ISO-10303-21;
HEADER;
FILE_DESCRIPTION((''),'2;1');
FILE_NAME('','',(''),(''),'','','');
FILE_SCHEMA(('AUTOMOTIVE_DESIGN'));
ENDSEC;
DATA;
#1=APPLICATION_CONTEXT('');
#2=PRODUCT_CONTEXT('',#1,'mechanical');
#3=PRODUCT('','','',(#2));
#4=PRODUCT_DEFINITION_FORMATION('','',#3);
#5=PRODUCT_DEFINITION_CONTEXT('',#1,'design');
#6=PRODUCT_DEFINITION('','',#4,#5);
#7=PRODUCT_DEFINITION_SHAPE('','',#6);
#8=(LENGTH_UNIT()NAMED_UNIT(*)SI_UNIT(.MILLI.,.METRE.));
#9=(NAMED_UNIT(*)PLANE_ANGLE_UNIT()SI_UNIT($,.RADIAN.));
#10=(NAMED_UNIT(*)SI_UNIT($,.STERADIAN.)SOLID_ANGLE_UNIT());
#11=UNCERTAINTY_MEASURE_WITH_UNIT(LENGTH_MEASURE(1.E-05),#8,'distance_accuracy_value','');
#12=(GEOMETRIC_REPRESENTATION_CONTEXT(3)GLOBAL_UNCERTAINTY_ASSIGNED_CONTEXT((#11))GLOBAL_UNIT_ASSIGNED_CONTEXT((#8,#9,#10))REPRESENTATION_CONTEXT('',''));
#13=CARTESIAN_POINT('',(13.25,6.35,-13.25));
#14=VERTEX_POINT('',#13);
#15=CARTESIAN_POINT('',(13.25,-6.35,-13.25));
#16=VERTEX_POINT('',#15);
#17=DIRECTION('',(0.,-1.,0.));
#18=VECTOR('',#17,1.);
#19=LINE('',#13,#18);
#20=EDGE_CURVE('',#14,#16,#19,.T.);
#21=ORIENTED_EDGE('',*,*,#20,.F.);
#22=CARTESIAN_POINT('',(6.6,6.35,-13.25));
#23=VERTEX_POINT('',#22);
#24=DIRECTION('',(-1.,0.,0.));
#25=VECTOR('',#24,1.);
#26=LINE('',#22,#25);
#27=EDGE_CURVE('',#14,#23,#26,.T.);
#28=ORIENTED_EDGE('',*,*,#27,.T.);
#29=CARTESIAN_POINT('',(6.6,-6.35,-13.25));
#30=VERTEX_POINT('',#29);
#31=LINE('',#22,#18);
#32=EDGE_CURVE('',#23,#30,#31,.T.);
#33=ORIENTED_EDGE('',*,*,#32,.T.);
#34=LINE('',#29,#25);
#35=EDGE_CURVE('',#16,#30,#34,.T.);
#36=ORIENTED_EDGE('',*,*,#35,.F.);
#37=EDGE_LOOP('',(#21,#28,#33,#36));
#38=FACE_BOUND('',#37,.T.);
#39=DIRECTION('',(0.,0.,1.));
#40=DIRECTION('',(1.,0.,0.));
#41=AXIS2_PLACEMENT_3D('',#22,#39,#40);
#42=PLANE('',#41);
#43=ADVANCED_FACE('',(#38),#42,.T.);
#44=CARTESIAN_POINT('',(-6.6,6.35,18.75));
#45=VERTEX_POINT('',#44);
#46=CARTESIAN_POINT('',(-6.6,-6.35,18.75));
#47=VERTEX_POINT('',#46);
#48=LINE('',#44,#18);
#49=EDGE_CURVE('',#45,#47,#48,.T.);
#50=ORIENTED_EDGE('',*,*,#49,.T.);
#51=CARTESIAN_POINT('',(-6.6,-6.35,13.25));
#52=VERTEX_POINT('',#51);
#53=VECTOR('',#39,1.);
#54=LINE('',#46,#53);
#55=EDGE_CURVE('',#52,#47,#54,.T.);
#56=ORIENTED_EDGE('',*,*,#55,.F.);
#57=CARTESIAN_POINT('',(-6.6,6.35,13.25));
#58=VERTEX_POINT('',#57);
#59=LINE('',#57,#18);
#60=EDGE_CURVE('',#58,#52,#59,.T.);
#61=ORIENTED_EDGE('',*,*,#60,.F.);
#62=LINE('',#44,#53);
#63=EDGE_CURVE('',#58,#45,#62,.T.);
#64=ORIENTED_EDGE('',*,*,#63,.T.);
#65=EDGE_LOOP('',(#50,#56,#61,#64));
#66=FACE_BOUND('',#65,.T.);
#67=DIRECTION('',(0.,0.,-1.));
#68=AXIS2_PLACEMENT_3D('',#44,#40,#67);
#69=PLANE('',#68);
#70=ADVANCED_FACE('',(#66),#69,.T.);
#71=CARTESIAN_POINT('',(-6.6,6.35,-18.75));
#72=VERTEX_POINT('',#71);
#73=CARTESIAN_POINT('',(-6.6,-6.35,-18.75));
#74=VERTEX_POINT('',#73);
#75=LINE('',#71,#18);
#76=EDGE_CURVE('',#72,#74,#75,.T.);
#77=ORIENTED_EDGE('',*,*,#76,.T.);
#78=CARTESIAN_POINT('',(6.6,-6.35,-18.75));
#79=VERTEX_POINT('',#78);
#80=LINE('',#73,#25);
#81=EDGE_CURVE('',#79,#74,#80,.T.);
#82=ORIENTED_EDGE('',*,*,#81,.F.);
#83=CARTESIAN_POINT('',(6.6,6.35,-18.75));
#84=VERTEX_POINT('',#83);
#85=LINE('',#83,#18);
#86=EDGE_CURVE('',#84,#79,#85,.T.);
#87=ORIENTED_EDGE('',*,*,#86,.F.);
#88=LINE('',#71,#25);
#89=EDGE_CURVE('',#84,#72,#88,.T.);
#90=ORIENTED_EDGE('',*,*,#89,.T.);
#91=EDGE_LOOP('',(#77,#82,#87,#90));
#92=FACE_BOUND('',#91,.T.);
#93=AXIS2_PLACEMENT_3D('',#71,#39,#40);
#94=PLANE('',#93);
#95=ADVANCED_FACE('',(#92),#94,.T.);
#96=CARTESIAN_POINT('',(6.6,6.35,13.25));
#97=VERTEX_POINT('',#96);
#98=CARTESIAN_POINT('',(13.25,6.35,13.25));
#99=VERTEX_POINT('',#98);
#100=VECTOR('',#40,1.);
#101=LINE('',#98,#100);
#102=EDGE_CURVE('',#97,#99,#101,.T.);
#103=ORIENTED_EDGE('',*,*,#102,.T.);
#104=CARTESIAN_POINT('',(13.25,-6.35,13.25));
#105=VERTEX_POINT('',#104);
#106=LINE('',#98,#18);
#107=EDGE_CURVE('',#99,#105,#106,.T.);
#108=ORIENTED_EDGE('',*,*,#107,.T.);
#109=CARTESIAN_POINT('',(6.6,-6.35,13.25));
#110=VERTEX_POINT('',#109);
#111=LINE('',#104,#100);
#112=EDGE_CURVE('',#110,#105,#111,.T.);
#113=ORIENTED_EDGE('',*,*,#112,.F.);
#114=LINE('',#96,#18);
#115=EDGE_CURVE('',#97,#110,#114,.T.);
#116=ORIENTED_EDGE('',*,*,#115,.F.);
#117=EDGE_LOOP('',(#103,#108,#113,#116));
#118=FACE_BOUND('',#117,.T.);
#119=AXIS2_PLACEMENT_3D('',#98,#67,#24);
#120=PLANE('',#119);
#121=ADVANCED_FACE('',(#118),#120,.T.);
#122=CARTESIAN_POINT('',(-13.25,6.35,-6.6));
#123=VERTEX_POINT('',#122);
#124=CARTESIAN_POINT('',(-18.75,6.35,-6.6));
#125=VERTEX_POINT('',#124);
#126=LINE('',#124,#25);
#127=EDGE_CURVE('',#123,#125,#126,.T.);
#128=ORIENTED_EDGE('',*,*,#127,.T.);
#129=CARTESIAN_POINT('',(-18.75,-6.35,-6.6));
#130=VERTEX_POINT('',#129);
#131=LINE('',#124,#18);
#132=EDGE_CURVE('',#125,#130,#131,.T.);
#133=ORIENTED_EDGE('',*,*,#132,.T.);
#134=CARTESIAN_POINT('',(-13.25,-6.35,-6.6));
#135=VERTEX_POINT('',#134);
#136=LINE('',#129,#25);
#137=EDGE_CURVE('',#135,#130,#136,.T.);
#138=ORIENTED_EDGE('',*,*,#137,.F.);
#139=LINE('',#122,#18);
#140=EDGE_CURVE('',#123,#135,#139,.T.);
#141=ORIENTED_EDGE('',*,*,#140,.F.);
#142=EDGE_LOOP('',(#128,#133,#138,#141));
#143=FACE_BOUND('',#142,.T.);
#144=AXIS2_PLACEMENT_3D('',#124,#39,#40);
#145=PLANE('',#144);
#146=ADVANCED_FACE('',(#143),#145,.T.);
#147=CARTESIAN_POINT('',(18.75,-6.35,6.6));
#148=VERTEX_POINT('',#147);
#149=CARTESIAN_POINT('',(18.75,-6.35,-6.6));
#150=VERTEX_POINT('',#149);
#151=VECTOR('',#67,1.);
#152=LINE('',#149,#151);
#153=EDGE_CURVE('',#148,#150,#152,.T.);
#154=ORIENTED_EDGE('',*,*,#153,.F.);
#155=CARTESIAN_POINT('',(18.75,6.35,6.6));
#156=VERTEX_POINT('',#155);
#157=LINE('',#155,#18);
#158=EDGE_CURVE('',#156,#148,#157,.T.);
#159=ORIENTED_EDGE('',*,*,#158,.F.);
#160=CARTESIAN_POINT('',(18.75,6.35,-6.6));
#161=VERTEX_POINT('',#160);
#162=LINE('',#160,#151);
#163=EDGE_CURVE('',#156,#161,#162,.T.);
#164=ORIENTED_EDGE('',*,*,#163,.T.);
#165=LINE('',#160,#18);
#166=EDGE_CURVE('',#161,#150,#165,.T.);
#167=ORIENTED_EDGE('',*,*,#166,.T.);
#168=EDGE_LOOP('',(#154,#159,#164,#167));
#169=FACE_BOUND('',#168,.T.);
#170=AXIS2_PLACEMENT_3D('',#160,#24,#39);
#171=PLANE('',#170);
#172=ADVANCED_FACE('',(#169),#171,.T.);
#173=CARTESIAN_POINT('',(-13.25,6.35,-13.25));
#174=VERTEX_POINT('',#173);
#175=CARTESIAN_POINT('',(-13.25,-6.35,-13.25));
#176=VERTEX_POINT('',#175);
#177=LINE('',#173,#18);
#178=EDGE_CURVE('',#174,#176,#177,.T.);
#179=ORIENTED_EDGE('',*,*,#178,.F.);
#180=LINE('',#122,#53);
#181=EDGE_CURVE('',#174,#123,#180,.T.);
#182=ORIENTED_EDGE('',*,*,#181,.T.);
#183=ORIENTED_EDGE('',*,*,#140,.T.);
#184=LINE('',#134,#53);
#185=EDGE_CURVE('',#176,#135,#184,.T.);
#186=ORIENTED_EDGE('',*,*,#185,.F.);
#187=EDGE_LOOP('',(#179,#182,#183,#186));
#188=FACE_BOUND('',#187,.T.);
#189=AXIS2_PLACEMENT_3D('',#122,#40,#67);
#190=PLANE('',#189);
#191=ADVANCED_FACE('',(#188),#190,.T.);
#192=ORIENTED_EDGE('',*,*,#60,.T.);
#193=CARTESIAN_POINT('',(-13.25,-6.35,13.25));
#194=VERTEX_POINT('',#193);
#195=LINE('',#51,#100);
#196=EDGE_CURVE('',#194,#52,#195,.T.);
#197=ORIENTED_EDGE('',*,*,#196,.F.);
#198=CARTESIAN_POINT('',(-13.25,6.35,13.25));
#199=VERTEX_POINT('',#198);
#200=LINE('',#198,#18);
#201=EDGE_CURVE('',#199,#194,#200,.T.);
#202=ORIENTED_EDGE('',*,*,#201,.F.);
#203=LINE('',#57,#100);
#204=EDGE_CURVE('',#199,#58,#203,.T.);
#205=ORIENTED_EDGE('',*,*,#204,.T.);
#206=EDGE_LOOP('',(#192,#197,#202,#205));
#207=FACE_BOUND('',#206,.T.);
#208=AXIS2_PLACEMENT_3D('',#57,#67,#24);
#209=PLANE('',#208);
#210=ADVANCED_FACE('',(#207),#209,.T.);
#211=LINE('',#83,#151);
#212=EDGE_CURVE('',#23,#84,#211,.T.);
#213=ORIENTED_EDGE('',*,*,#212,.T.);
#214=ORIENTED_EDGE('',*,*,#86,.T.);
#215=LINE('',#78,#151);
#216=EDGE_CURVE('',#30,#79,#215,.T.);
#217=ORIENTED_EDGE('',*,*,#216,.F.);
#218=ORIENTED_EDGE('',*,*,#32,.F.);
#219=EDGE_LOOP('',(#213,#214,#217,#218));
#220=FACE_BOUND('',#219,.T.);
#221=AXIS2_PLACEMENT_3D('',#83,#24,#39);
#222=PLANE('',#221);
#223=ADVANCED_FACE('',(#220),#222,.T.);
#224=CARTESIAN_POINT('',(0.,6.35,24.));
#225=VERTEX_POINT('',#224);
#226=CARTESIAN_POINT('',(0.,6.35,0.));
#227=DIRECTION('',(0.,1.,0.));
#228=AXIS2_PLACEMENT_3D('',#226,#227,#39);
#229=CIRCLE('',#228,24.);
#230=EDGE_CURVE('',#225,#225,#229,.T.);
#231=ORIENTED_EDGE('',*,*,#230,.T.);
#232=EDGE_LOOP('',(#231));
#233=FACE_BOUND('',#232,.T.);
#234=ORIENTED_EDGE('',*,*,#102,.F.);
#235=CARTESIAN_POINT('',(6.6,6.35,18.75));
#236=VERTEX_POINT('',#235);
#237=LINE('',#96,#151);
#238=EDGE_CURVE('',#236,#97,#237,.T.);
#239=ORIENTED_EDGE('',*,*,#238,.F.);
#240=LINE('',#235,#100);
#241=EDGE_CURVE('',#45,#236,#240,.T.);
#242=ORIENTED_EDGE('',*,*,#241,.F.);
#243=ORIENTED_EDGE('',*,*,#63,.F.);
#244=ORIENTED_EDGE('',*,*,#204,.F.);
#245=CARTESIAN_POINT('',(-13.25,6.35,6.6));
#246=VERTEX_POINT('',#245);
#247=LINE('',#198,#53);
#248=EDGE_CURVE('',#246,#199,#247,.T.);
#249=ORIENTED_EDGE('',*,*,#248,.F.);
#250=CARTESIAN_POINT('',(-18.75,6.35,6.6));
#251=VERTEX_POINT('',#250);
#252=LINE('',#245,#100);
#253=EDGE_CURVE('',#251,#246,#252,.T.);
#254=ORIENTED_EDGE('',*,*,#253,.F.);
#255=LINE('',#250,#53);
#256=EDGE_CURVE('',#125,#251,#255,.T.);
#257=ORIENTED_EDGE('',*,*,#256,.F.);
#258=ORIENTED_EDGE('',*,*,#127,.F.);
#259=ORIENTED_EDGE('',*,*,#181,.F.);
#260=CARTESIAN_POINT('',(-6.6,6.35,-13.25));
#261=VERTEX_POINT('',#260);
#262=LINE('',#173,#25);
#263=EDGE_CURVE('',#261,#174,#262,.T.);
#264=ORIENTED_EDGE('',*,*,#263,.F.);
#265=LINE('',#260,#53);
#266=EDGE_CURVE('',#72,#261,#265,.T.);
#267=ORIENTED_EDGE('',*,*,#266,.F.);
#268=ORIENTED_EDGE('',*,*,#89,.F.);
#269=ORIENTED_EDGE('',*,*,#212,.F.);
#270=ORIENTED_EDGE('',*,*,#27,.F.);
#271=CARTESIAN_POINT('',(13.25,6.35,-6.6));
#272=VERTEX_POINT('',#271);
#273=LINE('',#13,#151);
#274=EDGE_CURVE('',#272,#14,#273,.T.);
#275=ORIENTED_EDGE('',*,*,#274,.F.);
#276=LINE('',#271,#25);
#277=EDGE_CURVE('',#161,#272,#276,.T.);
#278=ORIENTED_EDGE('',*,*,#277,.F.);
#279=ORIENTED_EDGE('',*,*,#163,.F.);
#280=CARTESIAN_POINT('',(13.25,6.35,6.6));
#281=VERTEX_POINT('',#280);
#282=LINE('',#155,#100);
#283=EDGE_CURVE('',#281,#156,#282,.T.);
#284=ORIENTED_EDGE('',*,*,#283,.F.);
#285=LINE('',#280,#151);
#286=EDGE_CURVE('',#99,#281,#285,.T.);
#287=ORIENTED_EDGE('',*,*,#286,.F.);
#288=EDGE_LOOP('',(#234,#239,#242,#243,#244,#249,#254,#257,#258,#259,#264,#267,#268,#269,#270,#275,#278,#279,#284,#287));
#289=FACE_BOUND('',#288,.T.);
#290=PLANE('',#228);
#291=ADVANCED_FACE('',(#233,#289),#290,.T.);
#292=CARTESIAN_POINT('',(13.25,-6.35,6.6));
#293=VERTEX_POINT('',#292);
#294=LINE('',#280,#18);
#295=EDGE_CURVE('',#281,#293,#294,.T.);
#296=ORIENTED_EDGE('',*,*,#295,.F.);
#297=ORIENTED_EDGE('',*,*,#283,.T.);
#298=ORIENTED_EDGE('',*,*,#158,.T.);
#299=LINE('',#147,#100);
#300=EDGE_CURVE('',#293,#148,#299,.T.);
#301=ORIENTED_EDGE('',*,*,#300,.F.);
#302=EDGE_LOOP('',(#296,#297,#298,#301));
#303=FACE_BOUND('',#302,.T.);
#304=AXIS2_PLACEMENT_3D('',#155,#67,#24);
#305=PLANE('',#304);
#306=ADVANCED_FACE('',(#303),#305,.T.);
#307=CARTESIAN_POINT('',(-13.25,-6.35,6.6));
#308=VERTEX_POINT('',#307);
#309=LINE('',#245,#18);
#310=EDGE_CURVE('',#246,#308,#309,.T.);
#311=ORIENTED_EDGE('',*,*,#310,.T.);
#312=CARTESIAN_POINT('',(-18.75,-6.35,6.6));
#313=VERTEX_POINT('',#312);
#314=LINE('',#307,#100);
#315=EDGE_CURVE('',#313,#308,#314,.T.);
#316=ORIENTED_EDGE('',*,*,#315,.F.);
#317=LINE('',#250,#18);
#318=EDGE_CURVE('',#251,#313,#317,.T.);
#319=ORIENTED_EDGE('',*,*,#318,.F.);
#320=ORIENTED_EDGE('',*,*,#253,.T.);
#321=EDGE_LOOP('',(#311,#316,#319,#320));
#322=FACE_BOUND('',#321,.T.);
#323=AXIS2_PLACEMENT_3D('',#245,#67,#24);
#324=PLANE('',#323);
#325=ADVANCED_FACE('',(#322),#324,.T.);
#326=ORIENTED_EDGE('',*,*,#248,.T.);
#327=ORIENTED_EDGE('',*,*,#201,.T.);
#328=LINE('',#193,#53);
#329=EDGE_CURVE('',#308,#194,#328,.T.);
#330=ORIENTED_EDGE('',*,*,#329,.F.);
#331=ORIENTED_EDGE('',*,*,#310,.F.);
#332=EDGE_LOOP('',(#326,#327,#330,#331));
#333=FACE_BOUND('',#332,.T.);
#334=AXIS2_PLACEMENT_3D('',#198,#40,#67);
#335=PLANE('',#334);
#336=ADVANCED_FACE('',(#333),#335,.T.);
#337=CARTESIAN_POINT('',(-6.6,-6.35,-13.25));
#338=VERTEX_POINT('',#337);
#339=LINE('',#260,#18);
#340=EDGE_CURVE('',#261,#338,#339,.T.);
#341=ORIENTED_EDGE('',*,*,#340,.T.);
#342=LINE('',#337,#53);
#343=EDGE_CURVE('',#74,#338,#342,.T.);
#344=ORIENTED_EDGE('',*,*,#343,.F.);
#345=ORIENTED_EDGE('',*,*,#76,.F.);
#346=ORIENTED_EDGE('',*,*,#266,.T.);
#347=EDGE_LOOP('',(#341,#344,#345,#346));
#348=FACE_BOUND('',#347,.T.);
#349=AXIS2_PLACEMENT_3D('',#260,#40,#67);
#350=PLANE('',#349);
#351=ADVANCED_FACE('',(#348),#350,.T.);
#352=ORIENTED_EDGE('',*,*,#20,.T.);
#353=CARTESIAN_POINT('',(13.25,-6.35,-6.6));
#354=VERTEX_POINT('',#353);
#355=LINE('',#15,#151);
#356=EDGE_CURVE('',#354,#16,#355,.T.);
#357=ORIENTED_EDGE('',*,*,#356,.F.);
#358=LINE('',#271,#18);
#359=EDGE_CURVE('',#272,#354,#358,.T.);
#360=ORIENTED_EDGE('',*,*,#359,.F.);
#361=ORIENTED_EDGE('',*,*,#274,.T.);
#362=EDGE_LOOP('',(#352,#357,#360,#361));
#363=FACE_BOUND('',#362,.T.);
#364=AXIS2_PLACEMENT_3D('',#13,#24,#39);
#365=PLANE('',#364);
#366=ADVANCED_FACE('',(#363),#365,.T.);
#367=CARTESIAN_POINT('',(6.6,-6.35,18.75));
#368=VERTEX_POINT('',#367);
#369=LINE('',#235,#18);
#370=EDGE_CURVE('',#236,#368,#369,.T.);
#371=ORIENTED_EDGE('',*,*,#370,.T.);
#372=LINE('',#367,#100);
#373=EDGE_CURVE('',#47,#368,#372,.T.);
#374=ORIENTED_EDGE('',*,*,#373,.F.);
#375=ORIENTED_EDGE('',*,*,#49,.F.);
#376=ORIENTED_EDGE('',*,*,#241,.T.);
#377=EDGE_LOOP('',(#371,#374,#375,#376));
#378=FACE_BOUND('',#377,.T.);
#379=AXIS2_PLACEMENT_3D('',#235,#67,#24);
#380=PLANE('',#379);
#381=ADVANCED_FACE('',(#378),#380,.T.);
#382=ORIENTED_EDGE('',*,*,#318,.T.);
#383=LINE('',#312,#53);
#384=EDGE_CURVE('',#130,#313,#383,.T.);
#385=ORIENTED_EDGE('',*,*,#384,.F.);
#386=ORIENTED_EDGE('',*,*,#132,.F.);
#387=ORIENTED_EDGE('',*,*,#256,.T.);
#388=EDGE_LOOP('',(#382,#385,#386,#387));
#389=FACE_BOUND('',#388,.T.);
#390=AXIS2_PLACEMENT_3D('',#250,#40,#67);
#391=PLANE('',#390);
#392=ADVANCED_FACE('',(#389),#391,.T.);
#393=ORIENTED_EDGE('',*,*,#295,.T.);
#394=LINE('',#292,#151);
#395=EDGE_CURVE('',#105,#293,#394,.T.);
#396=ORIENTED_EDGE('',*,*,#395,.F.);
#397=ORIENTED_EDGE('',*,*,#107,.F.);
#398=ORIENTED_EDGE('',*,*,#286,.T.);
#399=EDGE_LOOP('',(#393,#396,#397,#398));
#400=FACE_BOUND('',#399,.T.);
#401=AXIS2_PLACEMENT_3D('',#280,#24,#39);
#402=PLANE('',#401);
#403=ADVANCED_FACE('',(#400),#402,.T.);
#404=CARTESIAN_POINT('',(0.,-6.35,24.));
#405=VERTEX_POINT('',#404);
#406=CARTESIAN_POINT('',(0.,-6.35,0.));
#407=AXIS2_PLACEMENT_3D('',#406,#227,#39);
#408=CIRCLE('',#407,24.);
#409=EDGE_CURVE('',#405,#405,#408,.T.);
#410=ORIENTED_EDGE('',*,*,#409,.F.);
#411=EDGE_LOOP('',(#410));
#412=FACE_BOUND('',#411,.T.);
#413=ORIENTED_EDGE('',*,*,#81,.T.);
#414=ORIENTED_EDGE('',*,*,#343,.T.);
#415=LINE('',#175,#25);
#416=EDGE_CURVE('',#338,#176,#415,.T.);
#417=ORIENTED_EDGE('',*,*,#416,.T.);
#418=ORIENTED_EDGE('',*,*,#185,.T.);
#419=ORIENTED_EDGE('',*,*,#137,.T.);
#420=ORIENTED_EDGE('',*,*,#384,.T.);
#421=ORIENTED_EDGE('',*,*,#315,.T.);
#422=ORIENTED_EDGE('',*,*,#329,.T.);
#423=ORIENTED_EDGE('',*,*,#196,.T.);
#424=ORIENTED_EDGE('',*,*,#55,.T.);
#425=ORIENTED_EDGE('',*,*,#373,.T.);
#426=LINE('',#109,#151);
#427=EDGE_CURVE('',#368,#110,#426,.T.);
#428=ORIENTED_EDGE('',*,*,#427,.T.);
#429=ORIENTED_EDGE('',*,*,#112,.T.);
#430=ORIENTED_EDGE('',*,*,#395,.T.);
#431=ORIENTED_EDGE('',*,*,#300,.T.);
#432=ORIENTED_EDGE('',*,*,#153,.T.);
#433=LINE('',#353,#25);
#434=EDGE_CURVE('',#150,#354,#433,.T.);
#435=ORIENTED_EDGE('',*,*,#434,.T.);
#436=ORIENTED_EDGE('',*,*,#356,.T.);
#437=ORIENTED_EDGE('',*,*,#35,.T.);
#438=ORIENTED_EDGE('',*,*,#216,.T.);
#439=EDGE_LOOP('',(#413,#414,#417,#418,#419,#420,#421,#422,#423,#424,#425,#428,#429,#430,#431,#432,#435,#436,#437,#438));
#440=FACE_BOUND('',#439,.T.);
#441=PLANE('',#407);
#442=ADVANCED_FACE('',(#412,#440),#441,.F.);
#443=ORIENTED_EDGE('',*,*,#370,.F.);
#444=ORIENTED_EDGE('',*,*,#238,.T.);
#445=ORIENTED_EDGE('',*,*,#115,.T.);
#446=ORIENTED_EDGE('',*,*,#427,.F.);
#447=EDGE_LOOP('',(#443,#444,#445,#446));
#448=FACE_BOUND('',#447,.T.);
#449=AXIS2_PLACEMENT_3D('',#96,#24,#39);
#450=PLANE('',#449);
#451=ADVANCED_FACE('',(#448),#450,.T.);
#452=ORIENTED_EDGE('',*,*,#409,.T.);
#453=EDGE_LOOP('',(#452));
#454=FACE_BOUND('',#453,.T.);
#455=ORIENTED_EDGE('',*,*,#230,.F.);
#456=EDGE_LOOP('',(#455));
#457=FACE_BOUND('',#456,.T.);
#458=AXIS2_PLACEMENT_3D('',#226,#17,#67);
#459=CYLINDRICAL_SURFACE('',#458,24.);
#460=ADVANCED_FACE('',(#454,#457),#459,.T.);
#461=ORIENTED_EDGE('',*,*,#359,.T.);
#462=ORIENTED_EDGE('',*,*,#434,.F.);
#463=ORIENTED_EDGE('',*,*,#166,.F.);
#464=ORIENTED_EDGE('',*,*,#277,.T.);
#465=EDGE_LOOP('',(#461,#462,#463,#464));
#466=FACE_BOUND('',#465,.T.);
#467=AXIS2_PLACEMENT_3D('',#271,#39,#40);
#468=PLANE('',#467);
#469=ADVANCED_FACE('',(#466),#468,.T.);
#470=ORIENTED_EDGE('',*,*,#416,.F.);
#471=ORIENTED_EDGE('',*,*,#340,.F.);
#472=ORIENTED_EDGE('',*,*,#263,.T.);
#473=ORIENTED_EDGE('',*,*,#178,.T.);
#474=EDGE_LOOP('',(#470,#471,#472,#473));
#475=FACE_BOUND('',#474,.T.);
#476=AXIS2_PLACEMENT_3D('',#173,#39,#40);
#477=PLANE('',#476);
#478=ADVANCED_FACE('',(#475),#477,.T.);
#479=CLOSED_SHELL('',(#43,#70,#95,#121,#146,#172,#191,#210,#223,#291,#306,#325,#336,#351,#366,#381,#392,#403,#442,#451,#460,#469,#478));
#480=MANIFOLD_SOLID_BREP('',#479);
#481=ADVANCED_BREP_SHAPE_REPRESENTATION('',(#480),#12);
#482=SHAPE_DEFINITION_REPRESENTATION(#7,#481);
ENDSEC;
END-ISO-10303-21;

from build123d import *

# Parameters (mm, degrees)
SKETCH1_R           = 24
BOSS_EXTRUDE1_DEPTH = 6.35


with BuildPart() as part:
    # Sketch1 → Boss-Extrude1 (new, symmetric)
    with BuildSketch(Plane(origin=(0, 0, 0), x_dir=(1, 0, 0), z_dir=(0, 1, 0))):
        with Locations(Location((0, 0, 0), (0, 0, 270))):
            Circle(SKETCH1_R)
        Polygon((-6.6, 18.75), (6.6, 18.75), (6.6, 13.25), (13.25, 13.25), (13.25, 6.6), (18.75, 6.6), (18.75, -6.6), (13.25, -6.6), (13.25, -13.25), (6.6, -13.25), (6.6, -18.75), (-6.6, -18.75), (-6.6, -13.25), (-13.25, -13.25), (-13.25, -6.6), (-18.75, -6.6), (-18.75, 6.6), (-13.25, 6.6), (-13.25, 13.25), (-6.6, 13.25), align=None, mode=Mode.SUBTRACT)
    extrude(amount=BOSS_EXTRUDE1_DEPTH, both=True)


solid = part.part
